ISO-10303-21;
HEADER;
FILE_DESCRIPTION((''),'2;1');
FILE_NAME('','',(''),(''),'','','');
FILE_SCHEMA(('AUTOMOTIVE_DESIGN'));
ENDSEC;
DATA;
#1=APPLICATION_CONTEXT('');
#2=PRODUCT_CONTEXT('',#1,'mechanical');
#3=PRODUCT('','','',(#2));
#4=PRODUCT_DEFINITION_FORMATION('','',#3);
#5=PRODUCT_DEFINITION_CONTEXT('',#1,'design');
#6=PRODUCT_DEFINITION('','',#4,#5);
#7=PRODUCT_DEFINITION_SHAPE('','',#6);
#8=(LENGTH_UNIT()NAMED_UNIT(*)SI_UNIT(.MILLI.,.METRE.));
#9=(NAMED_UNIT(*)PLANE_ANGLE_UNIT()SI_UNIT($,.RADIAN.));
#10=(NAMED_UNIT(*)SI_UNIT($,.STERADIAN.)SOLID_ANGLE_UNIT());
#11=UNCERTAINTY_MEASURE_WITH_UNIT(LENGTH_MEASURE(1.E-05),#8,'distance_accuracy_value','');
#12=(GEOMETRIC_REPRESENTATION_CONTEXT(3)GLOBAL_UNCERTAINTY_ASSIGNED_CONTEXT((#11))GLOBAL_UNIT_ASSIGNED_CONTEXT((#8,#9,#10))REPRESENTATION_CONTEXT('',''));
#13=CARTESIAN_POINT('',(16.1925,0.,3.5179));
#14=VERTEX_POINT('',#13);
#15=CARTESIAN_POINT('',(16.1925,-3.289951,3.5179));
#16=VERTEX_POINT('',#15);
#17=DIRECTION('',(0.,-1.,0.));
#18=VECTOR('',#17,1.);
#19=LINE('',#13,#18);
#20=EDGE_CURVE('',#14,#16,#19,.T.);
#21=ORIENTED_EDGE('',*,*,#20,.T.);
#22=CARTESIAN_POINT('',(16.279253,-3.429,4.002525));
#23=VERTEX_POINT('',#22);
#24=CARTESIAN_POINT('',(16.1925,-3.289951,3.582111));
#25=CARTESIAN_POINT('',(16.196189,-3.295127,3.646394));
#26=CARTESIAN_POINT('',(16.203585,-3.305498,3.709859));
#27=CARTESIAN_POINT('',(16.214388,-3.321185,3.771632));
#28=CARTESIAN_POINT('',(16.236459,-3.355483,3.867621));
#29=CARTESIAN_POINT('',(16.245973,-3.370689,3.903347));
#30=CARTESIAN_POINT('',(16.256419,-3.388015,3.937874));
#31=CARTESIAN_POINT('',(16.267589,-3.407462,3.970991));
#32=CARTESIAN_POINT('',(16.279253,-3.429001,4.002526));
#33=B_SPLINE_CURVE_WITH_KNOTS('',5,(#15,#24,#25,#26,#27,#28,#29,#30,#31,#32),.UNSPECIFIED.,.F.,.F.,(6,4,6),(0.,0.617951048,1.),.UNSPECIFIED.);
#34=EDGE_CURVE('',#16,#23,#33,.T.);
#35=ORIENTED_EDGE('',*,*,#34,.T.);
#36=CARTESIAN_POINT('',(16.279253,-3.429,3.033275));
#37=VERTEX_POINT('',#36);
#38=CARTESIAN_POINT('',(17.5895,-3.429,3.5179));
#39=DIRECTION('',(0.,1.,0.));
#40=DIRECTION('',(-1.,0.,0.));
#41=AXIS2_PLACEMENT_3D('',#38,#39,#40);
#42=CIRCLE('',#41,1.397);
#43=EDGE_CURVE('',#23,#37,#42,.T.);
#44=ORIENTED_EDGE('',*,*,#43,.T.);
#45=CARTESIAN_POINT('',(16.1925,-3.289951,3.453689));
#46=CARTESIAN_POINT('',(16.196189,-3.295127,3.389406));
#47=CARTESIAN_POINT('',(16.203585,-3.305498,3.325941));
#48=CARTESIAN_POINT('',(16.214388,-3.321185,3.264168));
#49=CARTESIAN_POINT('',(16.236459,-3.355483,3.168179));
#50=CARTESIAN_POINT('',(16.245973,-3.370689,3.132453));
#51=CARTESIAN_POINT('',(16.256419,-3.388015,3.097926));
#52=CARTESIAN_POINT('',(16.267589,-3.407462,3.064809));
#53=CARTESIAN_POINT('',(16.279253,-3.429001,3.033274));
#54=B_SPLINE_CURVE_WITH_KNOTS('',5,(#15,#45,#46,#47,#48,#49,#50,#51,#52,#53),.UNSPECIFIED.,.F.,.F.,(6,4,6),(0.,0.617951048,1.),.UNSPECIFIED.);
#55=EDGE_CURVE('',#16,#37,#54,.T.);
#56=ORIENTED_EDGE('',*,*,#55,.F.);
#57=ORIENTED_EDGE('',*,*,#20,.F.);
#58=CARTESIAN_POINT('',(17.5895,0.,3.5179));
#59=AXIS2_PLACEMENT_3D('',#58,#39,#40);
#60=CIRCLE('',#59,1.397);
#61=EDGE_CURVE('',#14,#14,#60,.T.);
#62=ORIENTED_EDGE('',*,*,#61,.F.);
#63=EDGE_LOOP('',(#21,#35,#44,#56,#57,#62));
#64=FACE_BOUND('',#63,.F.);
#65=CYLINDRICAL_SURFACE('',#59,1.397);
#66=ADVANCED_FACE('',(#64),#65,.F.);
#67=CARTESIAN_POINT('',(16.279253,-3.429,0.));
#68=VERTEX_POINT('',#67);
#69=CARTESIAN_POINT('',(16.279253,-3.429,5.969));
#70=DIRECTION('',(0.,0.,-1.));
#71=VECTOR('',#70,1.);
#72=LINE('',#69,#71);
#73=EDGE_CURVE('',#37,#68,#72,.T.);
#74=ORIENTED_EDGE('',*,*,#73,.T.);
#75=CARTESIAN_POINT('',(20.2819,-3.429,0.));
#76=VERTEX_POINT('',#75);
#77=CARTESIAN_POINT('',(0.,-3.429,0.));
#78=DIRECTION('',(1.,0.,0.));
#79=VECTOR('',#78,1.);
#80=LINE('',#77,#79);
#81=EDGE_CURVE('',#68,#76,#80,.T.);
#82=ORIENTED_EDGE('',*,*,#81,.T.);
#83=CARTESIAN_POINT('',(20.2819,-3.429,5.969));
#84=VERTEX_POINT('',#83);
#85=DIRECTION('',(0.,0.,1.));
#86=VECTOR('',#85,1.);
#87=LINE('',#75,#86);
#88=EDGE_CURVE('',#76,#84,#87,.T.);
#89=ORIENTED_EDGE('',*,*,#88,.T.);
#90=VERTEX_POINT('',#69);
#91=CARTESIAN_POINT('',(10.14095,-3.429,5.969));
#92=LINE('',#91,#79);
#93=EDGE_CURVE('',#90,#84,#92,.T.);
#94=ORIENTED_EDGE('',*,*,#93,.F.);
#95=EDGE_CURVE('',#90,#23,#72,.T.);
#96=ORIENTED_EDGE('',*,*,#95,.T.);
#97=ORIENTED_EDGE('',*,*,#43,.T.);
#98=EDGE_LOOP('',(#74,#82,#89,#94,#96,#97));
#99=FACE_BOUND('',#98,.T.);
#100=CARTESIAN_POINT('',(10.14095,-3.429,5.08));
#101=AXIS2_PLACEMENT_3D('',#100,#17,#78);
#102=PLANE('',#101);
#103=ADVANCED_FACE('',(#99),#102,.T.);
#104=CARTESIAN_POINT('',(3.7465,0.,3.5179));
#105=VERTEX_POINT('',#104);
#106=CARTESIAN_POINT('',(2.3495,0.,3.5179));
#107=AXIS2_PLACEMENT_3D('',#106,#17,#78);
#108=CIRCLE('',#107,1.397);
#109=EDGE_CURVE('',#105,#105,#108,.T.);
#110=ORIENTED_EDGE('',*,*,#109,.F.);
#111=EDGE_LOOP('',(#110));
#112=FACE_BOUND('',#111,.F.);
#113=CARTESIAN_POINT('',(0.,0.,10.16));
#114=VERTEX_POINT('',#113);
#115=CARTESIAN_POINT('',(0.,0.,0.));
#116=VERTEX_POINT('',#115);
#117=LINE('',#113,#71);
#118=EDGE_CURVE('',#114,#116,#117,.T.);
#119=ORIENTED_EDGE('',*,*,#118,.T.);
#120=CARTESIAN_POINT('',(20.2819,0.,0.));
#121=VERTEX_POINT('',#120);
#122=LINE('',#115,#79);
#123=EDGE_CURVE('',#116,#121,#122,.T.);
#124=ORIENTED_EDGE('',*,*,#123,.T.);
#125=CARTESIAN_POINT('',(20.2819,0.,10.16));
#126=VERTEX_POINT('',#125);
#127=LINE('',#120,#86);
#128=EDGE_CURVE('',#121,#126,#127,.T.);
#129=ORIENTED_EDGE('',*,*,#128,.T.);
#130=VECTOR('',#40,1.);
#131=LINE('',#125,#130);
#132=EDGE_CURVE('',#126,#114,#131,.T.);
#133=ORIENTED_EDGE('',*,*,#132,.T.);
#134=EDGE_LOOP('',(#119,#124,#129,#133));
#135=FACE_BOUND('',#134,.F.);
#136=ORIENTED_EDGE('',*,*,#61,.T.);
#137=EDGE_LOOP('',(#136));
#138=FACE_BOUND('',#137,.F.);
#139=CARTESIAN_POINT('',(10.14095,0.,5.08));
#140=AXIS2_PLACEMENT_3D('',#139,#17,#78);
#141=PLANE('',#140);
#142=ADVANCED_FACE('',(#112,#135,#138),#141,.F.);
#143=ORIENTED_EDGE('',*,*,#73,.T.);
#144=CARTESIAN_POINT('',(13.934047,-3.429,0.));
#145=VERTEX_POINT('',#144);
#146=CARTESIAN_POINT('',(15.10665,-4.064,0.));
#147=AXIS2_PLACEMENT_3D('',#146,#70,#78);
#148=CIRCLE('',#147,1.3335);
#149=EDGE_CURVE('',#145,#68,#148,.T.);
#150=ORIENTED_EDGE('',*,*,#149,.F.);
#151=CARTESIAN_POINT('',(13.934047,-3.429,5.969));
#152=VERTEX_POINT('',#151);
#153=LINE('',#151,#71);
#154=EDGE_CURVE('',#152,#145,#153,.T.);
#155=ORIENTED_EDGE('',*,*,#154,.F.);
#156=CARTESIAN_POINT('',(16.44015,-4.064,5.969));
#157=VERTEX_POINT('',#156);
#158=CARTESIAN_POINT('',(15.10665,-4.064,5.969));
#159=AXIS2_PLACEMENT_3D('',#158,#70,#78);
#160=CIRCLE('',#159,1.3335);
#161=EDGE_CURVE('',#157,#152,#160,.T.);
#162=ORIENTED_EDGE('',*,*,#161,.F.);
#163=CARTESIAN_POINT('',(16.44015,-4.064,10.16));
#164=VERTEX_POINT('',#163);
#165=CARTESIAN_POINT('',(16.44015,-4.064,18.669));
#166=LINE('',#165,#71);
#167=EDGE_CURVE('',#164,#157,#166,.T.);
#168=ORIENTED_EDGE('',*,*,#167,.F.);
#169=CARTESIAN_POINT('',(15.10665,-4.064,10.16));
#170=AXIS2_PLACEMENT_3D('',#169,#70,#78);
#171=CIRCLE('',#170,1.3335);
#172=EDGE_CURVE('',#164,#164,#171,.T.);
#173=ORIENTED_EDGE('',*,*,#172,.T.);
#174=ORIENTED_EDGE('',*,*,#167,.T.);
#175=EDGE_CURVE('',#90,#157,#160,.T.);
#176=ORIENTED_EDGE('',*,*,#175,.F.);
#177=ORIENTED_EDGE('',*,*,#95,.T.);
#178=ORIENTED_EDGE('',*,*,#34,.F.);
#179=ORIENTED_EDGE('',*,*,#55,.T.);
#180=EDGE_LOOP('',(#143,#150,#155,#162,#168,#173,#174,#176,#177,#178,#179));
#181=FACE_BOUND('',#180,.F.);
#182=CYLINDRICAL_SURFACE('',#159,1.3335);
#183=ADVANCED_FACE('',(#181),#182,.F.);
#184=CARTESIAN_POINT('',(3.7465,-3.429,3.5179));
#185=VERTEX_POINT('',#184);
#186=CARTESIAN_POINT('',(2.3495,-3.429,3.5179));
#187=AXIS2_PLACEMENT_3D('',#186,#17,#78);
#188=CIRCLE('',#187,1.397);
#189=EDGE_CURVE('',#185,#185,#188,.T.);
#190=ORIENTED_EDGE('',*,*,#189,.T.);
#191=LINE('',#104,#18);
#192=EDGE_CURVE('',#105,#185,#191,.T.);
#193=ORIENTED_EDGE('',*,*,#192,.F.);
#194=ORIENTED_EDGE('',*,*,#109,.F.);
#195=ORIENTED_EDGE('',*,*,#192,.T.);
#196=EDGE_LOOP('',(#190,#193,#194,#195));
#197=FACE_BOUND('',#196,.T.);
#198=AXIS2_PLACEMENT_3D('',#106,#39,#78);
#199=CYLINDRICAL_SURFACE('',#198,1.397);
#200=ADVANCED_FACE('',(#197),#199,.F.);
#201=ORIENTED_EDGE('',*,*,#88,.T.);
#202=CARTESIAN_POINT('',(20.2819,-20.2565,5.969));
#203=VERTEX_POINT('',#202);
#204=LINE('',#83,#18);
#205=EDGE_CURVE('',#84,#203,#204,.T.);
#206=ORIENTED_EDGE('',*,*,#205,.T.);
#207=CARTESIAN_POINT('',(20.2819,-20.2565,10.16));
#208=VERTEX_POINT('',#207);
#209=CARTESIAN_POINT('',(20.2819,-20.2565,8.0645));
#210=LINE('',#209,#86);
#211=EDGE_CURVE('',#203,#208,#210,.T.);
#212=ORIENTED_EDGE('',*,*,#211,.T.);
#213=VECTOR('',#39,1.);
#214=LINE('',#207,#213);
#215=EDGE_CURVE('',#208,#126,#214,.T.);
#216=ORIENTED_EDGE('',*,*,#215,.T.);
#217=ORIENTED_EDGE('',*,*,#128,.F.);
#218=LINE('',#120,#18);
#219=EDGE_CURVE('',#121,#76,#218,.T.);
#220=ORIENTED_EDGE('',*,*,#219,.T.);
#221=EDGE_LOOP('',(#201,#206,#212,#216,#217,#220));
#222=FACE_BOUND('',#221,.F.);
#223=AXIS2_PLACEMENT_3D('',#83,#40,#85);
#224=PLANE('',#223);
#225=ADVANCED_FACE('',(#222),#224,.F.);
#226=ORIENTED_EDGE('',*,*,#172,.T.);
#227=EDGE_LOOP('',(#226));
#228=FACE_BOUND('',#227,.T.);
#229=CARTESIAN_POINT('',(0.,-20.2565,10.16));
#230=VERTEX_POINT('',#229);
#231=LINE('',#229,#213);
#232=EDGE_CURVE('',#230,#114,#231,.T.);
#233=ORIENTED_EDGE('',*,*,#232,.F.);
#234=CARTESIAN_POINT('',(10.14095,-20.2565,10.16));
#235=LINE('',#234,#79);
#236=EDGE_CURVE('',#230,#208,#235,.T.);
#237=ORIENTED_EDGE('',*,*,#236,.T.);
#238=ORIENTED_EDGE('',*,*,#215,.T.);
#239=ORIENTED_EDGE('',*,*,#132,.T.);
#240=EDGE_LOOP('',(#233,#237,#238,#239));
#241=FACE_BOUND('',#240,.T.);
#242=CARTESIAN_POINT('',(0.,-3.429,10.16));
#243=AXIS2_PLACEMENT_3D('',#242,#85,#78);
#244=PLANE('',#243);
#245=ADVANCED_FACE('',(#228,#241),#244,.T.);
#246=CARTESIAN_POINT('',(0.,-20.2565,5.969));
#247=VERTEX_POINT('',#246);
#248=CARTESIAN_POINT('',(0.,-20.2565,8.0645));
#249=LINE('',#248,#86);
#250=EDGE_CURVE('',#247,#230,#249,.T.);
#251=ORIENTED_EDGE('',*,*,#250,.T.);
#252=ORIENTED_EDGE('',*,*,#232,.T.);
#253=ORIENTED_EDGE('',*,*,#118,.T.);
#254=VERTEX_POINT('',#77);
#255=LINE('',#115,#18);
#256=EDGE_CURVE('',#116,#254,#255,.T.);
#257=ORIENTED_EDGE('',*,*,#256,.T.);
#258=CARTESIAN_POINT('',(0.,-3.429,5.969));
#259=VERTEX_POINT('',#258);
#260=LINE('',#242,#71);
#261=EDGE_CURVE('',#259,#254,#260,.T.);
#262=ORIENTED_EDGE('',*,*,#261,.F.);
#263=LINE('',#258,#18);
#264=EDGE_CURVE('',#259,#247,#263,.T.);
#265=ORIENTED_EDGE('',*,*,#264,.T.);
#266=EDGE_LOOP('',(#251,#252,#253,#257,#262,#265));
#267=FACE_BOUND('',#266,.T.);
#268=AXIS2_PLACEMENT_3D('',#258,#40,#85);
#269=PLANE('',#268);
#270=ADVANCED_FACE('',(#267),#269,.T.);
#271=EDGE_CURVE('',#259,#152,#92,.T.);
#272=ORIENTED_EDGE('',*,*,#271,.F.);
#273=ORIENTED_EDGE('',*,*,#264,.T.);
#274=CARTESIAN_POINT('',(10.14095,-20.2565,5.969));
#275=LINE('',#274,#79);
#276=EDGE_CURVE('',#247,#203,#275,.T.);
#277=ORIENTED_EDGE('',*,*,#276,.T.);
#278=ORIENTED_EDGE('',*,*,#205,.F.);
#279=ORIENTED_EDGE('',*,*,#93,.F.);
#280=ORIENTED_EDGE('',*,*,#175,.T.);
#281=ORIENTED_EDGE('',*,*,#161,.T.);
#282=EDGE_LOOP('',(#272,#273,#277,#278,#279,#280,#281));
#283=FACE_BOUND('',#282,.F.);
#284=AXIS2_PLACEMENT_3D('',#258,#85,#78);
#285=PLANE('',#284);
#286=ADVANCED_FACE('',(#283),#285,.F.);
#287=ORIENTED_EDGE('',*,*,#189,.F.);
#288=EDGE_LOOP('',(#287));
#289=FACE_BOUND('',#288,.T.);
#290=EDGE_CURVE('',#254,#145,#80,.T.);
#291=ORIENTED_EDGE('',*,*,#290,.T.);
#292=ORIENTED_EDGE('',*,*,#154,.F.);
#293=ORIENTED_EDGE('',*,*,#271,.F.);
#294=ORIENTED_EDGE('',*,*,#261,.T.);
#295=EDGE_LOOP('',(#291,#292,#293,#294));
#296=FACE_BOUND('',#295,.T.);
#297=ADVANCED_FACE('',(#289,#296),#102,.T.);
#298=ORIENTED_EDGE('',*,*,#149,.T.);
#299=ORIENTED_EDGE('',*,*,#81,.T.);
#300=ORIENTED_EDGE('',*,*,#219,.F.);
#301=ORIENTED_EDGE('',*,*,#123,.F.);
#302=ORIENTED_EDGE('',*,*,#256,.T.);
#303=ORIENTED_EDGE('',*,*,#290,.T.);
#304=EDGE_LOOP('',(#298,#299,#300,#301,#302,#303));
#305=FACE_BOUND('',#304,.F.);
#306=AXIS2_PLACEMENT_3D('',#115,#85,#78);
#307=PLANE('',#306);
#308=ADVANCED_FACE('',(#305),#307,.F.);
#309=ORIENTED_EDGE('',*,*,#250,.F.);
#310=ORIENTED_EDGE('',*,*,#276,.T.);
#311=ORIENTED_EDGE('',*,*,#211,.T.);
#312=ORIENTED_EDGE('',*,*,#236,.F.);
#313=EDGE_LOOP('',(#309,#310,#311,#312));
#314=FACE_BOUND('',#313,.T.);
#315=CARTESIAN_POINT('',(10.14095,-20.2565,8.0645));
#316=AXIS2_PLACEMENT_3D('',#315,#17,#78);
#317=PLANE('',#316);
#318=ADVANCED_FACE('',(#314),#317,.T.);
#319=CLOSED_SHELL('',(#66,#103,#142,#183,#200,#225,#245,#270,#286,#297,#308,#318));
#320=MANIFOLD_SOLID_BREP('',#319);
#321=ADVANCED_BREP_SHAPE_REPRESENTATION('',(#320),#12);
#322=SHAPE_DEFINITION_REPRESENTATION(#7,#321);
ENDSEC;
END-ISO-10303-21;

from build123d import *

# Parameters (mm, degrees)
F0_R     = 1.397
F1_DEPTH = 3.429
F2_W     = 20.2819
F2_H     = 4.191
F3_DEPTH = 16.8275
F4_R     = 1.3335
F5_DEPTH = 12.7


with BuildPart() as f1:
    # F0 (on Front) → F1 (new body)
    with BuildSketch(Plane.XZ):
        Polygon((0, 10.16), (0, 0), (20.2819, 0), (20.2819, 10.16), (10.14095, 10.16), align=None)
        with Locations((2.3495, 3.5179)):
            Circle(F0_R, mode=Mode.SUBTRACT)
        with BuildLine():
            ThreePointArc((18.9865, 3.5179), (17.5895, 2.1209), (16.1925, 3.5179))
            ThreePointArc((16.1925, 3.5179), (17.5895, 4.9149), (18.9865, 3.5179))
        make_face(mode=Mode.SUBTRACT)
    extrude(amount=F1_DEPTH)

    # F2 (on face) → F3 (join)
    with BuildSketch(Plane.XZ.offset(3.429)):
        with Locations((10.14095, 8.0645)):
            Rectangle(F2_W, F2_H)
    extrude(amount=F3_DEPTH)

    # F4 (on face) → F5 (cut, symmetric)
    with BuildSketch(Plane(origin=(0, 0, 5.969), x_dir=(1, 0, 0), z_dir=(0, 0, -1))):
        with Locations((15.10665, 4.064)):
            Circle(F4_R)
    extrude(amount=F5_DEPTH, both=True, mode=Mode.SUBTRACT)


solid = f1.part
